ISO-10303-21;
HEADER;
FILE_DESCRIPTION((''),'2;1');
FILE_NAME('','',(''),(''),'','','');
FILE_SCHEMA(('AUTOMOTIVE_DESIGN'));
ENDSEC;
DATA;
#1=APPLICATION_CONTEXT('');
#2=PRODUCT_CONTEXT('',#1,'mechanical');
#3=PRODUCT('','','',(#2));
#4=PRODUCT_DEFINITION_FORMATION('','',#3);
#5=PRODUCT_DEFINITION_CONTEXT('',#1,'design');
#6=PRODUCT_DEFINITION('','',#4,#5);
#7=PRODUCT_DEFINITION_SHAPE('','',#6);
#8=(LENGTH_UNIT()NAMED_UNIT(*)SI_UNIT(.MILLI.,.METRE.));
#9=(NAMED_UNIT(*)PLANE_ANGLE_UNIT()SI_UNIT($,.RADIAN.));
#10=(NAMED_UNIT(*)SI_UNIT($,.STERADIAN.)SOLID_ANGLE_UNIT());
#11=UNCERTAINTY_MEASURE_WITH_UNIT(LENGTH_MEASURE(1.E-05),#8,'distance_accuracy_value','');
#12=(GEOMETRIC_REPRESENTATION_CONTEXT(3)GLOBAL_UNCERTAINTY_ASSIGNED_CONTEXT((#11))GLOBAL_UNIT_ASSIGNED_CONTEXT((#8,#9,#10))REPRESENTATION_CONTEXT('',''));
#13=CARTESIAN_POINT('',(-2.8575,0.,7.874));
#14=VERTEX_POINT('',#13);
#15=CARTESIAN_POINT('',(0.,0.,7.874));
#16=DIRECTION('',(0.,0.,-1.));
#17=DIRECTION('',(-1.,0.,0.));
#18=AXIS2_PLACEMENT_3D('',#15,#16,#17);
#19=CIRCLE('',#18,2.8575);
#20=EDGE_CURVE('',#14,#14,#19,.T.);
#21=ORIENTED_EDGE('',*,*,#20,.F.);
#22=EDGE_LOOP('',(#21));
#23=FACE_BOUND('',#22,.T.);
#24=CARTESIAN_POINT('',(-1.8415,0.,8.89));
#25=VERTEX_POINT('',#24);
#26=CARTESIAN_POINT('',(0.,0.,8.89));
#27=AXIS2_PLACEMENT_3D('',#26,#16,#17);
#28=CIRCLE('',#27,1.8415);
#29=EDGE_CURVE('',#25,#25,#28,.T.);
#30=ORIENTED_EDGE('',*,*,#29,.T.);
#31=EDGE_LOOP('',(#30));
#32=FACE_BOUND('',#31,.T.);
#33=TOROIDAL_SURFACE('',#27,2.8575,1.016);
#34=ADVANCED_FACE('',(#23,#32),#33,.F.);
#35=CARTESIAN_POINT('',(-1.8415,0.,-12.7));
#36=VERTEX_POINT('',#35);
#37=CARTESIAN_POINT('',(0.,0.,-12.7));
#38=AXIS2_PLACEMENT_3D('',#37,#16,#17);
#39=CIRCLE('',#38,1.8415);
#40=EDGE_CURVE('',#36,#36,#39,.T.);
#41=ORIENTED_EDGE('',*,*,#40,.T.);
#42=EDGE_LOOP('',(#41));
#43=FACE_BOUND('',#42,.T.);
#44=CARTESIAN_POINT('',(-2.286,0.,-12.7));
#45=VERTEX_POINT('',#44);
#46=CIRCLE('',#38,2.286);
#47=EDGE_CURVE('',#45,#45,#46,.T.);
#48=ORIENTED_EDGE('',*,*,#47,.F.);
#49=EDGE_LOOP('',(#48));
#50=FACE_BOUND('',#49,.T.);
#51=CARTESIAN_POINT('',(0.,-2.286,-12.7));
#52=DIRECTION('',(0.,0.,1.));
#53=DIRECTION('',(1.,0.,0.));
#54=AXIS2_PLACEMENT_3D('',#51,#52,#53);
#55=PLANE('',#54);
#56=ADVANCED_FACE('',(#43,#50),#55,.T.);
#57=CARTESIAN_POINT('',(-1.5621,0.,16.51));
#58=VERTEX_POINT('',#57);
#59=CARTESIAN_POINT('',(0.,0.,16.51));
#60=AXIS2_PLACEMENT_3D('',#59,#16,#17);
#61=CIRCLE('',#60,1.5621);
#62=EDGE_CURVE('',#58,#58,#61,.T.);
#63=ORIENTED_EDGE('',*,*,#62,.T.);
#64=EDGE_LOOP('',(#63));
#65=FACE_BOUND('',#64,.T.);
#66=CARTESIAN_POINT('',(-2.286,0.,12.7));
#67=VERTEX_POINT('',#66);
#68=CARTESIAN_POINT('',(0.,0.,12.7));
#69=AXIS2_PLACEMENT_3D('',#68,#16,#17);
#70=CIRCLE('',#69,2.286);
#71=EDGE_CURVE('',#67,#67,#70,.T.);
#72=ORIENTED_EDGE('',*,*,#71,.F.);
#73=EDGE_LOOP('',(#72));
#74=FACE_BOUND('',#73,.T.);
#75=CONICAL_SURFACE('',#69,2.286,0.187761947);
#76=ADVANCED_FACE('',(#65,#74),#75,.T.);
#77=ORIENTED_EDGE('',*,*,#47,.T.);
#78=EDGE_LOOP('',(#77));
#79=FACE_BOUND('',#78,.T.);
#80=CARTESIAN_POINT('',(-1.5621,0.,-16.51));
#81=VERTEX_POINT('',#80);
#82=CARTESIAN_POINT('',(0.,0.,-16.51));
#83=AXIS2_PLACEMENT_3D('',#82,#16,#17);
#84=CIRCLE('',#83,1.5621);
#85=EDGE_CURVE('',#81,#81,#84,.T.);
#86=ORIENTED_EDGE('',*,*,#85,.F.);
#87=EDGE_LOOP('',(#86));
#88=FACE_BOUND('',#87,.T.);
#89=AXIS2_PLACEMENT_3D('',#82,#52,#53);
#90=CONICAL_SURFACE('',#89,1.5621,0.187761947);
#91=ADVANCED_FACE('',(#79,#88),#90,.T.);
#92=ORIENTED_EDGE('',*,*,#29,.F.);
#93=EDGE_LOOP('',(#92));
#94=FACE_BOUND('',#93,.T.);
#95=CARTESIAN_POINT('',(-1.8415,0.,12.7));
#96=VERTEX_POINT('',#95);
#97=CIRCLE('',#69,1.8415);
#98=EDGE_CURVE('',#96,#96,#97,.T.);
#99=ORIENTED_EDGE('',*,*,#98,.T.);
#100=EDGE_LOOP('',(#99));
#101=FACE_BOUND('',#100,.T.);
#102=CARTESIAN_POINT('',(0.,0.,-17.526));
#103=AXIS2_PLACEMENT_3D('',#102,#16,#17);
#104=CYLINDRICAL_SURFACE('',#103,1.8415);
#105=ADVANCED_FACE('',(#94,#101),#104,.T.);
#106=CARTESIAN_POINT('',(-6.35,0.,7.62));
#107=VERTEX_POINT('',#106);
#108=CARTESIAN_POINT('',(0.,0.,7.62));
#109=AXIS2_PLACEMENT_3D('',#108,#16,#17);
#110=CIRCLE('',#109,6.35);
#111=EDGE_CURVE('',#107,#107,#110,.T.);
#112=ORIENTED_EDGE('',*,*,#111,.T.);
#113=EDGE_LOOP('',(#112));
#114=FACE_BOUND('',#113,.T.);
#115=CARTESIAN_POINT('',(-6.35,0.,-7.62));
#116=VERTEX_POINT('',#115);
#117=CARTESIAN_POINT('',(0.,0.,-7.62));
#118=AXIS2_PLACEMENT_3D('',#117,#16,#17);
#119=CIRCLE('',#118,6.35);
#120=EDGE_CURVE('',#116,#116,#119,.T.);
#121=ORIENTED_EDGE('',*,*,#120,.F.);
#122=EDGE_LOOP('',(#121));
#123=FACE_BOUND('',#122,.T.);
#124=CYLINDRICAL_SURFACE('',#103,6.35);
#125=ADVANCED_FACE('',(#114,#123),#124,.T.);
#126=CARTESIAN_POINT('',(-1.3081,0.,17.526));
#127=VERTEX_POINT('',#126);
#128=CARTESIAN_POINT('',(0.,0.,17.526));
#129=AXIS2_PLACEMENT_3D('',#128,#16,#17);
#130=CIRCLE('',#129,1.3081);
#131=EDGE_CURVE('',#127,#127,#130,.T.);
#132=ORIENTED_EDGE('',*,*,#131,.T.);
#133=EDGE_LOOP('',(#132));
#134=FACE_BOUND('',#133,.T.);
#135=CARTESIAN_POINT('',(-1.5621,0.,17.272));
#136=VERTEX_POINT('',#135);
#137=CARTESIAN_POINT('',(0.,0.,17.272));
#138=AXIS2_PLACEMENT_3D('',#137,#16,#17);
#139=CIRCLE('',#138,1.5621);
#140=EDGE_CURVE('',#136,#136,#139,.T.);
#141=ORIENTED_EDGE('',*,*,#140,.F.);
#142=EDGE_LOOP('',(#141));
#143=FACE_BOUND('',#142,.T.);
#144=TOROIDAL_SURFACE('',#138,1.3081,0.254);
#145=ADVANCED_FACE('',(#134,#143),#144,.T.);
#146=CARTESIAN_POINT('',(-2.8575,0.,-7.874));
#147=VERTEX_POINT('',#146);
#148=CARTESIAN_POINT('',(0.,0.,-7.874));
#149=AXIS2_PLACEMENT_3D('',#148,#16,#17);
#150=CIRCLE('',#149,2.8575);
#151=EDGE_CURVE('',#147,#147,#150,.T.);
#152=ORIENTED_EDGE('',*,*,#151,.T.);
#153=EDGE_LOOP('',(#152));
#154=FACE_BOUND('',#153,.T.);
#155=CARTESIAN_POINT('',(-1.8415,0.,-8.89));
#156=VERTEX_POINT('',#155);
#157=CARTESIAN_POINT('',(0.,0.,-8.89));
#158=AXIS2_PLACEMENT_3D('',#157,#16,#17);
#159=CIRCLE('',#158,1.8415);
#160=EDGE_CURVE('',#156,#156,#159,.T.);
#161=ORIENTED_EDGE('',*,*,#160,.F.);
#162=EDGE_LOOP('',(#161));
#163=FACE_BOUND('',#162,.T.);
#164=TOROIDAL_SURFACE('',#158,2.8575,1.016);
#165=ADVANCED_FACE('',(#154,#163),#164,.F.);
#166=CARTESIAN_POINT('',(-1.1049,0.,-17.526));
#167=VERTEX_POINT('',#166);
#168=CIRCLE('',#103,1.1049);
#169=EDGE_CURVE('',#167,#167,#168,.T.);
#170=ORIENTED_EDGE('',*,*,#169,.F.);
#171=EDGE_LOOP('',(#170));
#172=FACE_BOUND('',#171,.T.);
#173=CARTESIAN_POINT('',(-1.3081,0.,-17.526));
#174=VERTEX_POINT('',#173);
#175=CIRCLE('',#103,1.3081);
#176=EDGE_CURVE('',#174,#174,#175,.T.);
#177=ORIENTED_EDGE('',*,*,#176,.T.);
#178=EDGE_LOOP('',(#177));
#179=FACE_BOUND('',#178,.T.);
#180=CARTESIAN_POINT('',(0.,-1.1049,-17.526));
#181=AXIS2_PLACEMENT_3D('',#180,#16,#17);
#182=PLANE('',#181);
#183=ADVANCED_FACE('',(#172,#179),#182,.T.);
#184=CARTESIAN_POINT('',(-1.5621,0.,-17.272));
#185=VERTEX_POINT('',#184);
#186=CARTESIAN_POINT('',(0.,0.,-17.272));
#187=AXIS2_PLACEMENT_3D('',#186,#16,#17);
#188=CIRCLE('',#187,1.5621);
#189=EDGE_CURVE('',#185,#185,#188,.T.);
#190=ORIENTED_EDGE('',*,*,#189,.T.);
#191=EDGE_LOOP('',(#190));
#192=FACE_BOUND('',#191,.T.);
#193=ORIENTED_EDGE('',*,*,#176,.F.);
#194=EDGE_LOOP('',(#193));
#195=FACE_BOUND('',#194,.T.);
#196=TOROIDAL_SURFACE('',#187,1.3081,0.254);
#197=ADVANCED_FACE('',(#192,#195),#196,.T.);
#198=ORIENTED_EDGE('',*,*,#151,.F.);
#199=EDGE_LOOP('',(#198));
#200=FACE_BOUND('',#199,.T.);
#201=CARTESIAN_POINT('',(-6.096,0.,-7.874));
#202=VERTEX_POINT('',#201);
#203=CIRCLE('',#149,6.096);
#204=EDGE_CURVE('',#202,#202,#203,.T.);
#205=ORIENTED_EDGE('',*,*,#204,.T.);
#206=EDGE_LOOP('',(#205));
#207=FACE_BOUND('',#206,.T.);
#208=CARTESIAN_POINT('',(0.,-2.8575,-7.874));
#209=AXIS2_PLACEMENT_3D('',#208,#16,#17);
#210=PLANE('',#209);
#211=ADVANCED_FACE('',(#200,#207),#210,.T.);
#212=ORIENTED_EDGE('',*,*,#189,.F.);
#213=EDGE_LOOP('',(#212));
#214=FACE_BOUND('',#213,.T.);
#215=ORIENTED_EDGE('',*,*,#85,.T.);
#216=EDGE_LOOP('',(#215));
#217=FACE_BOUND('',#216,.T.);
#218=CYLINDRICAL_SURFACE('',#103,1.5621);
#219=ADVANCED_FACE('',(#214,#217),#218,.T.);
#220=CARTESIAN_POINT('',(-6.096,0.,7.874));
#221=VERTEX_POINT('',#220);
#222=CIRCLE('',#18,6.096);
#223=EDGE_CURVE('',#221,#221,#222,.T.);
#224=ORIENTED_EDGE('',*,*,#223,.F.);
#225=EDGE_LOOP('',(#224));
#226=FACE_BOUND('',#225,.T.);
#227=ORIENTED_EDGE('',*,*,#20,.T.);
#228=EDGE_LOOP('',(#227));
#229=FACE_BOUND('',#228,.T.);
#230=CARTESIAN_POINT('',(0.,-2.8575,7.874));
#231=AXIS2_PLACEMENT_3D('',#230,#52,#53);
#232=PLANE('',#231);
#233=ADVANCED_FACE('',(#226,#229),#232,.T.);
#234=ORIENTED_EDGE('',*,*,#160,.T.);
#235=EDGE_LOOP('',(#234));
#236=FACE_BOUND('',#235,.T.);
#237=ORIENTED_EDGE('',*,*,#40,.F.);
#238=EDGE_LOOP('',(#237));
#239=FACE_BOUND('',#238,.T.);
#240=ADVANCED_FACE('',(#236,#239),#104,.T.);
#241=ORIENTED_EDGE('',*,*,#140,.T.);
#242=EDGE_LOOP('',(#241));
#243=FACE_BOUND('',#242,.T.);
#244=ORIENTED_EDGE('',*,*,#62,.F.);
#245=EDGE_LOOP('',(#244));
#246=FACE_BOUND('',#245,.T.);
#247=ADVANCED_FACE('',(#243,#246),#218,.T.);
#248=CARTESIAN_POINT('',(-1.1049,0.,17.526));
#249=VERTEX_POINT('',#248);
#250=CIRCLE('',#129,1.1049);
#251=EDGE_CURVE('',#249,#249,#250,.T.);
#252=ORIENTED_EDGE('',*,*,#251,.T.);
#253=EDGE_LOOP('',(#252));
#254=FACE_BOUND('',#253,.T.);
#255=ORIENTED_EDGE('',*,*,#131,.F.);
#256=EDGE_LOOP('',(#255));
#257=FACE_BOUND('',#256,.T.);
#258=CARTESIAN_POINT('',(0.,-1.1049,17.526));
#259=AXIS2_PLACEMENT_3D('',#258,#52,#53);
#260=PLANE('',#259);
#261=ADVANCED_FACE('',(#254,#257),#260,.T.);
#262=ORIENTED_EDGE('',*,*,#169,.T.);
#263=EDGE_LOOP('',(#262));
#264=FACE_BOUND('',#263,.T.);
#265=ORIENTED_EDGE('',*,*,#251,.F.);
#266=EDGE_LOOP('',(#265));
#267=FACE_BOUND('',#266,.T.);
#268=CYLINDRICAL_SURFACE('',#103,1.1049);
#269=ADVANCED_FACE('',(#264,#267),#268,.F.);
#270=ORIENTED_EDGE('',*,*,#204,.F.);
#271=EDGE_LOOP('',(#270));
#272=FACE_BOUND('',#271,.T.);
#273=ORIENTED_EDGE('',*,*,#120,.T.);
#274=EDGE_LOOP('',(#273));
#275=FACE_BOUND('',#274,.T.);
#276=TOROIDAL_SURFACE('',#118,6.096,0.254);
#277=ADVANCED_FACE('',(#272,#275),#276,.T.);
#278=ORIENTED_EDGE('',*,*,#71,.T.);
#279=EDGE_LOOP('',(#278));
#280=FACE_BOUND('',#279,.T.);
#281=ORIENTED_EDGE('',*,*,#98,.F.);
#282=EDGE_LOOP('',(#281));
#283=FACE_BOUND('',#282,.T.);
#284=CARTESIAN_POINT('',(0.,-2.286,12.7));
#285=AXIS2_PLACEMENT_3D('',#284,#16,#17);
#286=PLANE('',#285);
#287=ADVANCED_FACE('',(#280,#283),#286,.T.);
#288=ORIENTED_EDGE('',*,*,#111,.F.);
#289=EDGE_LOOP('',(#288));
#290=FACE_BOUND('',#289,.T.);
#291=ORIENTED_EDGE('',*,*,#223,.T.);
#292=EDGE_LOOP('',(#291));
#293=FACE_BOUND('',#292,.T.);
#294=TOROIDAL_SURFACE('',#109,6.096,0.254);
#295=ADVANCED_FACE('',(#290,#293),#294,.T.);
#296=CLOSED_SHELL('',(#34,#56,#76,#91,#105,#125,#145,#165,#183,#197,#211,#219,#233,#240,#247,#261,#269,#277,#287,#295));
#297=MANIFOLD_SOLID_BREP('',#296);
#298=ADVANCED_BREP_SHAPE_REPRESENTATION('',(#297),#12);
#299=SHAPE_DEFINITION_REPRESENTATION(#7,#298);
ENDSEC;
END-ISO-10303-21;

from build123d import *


with BuildPart() as part:
    # Sketch2 → Revolve1 (revolve)
    with BuildSketch(Plane(origin=(0, 0, 0), x_dir=(0, 0, -1), z_dir=(1, 0, 0)), mode=Mode.PRIVATE) as revolve1_sk:
        with BuildLine():
            Line((-17.526, 1.1049), (-17.526, 1.3081))
            ThreePointArc((-17.526, 1.3081), (-17.451605122, 1.487705122), (-17.272, 1.5621))
            Line((-17.272, 1.5621), (-16.51, 1.5621))
            Line((-16.51, 1.5621), (-12.7, 2.286))
            Line((-12.7, 2.286), (-12.7, 1.8415))
            Line((-12.7, 1.8415), (-8.89, 1.8415))
            ThreePointArc((-8.89, 1.8415), (-8.17157951, 2.13907951), (-7.874, 2.8575))
            Line((-7.874, 2.8575), (-7.874, 6.096))
            ThreePointArc((-7.874, 6.096), (-7.799605122, 6.275605122), (-7.62, 6.35))
            Line((-7.62, 6.35), (7.62, 6.35))
            ThreePointArc((7.62, 6.35), (7.799605122, 6.275605122), (7.874, 6.096))
            Line((7.874, 6.096), (7.874, 2.8575))
            ThreePointArc((7.874, 2.8575), (8.17157951, 2.13907951), (8.89, 1.8415))
            Line((8.89, 1.8415), (12.7, 1.8415))
            Line((12.7, 1.8415), (12.7, 2.286))
            Line((12.7, 2.286), (16.51, 1.5621))
            Line((16.51, 1.5621), (17.272, 1.5621))
            ThreePointArc((17.272, 1.5621), (17.451605122, 1.487705122), (17.526, 1.3081))
            Line((17.526, 1.3081), (17.526, 1.1049))
            Line((17.526, 1.1049), (-17.526, 1.1049))
        make_face()
    revolve(revolve1_sk.sketch.rotate(Axis((0, 0, -17.526), (0, 0, 1)), 90), axis=Axis((0, 0, -17.526), (0, 0, 1)))


solid = part.part
